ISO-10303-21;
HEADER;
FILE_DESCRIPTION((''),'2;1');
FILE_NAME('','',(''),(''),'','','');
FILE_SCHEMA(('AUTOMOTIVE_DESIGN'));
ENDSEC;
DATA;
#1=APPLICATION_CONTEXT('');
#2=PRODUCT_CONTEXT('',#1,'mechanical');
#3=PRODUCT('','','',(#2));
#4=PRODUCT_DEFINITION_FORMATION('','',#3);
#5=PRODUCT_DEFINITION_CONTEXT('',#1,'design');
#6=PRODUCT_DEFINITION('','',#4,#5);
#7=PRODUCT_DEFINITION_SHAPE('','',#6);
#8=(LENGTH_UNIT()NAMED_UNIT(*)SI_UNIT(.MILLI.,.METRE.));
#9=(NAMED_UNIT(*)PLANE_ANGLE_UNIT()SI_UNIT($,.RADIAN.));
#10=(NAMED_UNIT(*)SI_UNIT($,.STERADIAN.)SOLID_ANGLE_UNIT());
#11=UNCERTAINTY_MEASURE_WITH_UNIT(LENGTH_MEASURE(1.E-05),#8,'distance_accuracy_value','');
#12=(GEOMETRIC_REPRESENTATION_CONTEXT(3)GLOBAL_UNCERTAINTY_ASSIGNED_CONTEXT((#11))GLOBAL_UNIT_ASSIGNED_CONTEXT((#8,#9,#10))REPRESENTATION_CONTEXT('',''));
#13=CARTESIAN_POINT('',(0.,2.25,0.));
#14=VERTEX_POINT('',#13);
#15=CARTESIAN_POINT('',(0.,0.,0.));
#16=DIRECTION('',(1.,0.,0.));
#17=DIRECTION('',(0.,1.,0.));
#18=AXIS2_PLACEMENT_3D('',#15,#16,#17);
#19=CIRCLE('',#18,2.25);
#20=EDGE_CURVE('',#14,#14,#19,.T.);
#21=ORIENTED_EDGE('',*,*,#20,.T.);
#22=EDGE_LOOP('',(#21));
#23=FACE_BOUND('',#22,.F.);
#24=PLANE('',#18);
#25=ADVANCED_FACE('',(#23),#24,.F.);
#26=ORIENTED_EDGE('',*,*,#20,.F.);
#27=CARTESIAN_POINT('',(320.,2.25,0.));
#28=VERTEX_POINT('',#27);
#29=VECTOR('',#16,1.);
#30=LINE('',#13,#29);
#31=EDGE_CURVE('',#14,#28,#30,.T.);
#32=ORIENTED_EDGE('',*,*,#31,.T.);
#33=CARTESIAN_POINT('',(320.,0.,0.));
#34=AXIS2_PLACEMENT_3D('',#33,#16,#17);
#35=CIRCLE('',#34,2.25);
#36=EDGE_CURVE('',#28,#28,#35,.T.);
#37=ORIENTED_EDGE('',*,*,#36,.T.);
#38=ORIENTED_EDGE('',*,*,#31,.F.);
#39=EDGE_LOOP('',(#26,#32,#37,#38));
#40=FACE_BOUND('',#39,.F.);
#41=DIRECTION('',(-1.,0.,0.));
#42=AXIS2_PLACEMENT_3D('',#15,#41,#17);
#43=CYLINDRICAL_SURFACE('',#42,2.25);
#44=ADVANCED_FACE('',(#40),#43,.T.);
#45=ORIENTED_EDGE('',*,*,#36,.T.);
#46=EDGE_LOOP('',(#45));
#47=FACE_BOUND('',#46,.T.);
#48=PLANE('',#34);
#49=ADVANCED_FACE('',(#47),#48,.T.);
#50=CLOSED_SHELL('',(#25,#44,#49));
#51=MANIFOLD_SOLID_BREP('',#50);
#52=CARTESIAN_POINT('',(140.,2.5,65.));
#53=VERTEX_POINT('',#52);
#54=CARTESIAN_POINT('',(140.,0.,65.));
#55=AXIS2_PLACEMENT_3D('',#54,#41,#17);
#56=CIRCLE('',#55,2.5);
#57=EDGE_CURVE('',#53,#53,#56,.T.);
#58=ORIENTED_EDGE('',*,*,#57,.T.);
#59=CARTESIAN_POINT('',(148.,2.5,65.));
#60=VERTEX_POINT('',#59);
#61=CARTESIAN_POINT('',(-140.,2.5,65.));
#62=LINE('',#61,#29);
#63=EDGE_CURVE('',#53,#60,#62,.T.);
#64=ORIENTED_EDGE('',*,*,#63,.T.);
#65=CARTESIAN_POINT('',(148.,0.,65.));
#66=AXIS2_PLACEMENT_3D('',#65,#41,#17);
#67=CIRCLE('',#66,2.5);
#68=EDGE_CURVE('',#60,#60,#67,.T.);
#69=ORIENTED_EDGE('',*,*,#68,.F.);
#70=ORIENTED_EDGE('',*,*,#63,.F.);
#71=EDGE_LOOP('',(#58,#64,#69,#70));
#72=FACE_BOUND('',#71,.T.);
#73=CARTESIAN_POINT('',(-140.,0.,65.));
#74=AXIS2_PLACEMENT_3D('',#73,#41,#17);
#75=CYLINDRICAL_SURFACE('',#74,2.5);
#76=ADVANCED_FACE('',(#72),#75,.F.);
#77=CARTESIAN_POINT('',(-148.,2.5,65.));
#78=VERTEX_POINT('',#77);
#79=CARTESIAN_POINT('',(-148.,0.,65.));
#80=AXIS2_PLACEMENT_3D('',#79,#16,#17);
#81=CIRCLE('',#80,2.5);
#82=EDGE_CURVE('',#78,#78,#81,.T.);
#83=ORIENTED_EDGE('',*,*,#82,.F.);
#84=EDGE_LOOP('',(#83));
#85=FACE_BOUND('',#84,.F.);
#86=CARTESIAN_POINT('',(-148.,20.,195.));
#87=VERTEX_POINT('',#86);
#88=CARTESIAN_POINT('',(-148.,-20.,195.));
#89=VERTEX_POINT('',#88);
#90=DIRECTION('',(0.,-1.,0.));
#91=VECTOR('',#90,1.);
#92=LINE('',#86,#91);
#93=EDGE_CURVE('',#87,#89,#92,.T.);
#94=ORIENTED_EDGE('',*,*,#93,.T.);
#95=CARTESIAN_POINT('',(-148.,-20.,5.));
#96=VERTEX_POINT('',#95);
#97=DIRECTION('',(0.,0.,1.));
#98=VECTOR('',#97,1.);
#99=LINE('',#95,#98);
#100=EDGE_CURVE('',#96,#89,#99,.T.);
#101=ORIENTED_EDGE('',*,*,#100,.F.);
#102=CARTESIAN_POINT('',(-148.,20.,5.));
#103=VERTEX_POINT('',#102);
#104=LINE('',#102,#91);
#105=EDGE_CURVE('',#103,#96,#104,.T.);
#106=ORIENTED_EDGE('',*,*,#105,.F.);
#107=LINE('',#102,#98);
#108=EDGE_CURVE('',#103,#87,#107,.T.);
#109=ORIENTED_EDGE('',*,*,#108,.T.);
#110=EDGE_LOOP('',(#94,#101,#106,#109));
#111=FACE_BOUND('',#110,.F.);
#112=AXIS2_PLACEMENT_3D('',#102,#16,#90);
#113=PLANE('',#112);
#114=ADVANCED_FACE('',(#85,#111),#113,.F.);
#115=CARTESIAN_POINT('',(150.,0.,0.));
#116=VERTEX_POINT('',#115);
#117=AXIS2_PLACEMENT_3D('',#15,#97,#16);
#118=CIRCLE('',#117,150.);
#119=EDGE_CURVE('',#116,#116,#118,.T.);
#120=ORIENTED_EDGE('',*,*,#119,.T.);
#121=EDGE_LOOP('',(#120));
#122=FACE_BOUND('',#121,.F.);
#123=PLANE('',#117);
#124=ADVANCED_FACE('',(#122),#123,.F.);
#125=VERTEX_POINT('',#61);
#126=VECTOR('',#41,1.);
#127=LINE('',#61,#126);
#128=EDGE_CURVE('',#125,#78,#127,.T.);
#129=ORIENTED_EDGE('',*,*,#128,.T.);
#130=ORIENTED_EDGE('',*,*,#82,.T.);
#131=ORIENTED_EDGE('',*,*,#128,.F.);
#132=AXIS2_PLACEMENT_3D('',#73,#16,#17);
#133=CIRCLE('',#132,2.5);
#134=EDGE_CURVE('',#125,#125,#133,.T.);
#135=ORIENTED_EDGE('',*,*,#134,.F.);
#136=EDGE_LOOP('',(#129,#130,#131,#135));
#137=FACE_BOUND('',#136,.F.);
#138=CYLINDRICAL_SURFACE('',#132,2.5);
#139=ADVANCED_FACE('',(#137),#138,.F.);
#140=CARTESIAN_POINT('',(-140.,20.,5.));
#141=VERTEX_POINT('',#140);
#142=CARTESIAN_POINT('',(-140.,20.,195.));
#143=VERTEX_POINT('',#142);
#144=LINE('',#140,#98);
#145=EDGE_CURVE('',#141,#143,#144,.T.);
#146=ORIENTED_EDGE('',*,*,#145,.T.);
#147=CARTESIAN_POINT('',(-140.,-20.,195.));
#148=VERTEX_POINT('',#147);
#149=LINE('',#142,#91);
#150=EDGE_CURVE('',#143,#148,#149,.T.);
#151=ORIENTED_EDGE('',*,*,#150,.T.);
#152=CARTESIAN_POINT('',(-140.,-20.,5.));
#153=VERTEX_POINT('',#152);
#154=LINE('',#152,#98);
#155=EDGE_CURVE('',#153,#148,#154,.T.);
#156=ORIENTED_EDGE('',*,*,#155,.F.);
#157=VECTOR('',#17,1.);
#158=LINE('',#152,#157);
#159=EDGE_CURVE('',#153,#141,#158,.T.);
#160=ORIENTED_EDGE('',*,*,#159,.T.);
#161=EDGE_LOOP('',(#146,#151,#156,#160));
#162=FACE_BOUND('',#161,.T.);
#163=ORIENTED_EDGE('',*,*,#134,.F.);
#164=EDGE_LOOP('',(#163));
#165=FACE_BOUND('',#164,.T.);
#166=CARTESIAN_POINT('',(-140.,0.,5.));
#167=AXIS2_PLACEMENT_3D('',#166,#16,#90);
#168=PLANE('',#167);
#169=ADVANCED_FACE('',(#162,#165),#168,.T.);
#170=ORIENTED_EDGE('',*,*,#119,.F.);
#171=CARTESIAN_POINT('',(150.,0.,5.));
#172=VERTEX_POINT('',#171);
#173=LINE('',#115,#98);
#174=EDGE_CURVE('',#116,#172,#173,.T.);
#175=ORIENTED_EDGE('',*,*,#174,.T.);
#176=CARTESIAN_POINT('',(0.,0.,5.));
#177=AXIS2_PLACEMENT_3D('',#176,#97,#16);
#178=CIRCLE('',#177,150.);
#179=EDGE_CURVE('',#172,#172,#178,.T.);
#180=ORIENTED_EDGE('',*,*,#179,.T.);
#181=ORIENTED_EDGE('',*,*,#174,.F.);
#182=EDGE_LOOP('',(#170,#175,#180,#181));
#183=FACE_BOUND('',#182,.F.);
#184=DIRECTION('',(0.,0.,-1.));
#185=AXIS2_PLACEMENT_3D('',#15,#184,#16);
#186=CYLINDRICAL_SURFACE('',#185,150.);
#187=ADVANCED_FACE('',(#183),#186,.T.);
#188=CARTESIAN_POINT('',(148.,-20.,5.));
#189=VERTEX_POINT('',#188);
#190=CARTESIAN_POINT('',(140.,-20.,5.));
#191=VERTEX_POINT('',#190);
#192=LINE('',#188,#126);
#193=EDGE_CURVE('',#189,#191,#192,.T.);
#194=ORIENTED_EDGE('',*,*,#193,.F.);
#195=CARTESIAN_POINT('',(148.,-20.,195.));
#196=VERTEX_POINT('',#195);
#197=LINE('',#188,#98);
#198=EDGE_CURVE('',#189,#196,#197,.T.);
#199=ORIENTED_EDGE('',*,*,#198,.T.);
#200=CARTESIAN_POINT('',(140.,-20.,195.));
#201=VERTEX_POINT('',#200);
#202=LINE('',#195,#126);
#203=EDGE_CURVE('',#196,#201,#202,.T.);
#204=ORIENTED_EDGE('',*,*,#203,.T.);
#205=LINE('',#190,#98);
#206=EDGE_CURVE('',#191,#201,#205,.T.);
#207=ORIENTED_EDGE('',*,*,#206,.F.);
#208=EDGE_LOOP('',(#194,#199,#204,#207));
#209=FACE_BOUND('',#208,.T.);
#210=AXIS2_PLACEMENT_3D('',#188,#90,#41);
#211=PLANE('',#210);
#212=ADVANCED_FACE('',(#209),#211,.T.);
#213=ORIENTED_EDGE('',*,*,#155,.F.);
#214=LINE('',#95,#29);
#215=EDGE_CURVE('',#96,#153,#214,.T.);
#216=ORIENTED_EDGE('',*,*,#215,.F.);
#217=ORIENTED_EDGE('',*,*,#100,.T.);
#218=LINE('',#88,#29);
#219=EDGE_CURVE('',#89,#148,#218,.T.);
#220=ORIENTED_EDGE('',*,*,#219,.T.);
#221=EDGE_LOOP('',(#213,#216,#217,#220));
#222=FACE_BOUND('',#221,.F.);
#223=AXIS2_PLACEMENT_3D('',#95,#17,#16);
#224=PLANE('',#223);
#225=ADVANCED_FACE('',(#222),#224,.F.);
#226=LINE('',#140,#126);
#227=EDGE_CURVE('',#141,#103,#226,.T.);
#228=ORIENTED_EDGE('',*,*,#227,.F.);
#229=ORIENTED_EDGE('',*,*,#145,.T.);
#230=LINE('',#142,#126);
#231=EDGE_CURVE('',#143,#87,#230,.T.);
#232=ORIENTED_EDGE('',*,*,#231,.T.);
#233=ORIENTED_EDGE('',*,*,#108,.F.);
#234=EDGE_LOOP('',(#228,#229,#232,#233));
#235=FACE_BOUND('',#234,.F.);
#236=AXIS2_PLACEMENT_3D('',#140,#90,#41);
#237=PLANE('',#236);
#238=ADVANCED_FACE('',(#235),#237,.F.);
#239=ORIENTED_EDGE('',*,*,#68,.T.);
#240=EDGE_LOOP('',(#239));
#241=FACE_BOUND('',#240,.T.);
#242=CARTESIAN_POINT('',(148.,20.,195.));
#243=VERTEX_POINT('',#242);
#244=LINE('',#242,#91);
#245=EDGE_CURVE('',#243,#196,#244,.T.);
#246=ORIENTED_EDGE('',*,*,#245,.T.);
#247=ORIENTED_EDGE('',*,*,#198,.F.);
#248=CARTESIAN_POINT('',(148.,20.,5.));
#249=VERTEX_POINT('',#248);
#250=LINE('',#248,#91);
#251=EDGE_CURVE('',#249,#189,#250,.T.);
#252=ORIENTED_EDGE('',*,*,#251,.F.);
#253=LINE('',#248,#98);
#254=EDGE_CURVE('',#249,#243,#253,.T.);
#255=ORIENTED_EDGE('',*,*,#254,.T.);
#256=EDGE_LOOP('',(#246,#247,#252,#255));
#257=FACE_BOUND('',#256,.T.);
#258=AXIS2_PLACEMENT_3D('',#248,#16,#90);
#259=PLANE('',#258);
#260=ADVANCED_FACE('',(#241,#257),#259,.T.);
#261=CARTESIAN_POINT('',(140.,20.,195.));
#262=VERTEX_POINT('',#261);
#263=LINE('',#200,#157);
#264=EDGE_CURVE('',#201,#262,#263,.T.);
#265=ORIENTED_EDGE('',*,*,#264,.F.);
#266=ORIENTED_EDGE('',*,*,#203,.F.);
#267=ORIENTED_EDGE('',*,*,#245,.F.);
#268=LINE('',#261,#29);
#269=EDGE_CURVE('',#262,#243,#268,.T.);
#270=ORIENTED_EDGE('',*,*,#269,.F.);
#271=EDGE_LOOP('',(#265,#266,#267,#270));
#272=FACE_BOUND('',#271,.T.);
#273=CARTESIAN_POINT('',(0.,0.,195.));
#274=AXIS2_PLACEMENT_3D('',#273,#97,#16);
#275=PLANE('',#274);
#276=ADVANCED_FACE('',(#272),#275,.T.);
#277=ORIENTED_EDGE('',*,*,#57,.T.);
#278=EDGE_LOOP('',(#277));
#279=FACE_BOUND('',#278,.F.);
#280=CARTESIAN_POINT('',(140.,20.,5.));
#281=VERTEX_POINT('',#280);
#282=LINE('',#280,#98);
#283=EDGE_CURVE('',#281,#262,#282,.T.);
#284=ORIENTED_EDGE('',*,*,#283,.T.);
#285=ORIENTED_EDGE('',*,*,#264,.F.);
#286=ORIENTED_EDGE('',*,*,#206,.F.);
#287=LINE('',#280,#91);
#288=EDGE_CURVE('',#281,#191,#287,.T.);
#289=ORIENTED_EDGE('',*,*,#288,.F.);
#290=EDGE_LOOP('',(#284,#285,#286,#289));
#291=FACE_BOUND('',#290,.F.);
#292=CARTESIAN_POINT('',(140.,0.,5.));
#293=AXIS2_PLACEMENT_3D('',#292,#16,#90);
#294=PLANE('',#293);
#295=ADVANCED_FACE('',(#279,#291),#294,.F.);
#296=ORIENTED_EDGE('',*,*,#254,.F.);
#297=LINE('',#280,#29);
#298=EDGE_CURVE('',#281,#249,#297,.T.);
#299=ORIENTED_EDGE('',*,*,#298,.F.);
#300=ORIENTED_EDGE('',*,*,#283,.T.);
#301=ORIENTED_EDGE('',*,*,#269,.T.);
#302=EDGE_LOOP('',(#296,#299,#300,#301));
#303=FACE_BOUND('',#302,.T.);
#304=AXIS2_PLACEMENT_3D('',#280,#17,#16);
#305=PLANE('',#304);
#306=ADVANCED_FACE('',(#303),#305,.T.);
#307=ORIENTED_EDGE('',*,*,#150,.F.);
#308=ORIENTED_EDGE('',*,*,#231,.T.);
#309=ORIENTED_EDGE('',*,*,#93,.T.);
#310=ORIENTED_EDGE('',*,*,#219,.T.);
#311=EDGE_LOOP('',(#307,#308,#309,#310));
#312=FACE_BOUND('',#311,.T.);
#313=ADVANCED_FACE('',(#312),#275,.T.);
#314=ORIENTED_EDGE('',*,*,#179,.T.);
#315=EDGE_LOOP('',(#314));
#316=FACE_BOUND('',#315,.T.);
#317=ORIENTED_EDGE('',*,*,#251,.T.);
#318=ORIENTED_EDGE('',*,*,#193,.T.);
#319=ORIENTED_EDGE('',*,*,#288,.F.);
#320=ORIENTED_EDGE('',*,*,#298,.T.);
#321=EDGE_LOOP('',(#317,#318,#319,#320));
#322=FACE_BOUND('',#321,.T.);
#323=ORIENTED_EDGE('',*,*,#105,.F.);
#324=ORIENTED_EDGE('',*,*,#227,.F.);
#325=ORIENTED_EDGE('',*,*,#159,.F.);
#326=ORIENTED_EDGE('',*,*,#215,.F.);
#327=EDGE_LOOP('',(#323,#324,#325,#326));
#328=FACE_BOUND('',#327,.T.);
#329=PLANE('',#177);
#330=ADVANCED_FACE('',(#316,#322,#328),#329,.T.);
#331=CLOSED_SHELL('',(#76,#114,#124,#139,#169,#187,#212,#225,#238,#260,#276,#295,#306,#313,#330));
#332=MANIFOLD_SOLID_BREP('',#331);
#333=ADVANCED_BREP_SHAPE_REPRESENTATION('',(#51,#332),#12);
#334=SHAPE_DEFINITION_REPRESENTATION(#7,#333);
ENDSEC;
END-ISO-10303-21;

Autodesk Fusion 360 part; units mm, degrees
sketch "Baza" plane through (0, 0, 0) normal (0, 0, 1) x (1, 0, 0)
  circle A0 centre (0, 0) radius 150
  line L0 (0, 0) -> (0, 150) construction
  line L1 (0, 0) -> (-140, 0) construction
  line L2 (-140, 0) -> (-140, -20)
  line L3 (-140, 0) -> (-140, 20)
  line L4 (-140, 20) -> (-148, 20)
  line L5 (-148, 20) -> (-148, -20)
  line L6 (-148, -20) -> (-140, -20)
  line L7 (148, 20) -> (148, -20)
  line L8 (140, 0) -> (140, 20)
  line L9 (140, 0) -> (140, -20)
  line L10 (140, 20) -> (148, 20)
  line L11 (148, -20) -> (140, -20)
  dimension "d1" = 300
  dimension "d2" = 140
  dimension "d3" = 20
  dimension "d4" = 20
  dimension "d5" = 8
extrude "Extrude1" add sketch "Baza" along normal blind 190 from surface at 5 contours L2 L3 L4 L5 L6 | L7 L8 L9 L10 L11 makes body 1 at (-140, 6.6667, 68.3333) makes body 2 at (148, 6.6667, 68.3333)
extrude "Extrude2" add sketch "Baza" along normal blind 5 contours A0 | L2 L3 L4 L5 L6 | L7 L8 L9 L10 L11 bodies 1 2
sketch "side_hole" plane through (-140, 0, 0) normal (1, 0, 0) x (0, 1, 0)
  line L0 (-20, 5) -> (20, 5)
  line L1 (20, 5) -> (20, 195)
  line L2 (20, 195) -> (-20, 195)
  line L3 (-20, 195) -> (-20, 5)
  line L4 (0, 5) -> (0, 65) construction
  circle A0 centre (0, 65) radius 2.5
  dimension "d12" = 60
  dimension "d13" = 5
extrude "Extrude3" cut sketch "side_hole" along normal blind 600 and the other way blind 100 contours A0 bodies 1
copy_body "Body->Comp1" bodies 1 removing the originals makes body 3 in component "Baza+laterale"
component "Baza+laterale" placed x (1, 0, 0) y (0, 1, 0) z (0, 0, 1) at (0, 0, 0)

Autodesk Fusion 360 part; units mm, degrees
sketch "Bara_32cm" plane through (0, 0, 0) normal (1, 0, 0) x (0, 1, 0)
  circle A0 centre (0, 0) radius 2.25
  dimension "d1" = 4.5
extrude "Extrude1" add sketch "Bara_32cm" along normal blind 320
component "bara_32cm (1)" placed x (1, 0, 0) y (0, 1, 0) z (0, 0, 1) at (0, 0, 0)
